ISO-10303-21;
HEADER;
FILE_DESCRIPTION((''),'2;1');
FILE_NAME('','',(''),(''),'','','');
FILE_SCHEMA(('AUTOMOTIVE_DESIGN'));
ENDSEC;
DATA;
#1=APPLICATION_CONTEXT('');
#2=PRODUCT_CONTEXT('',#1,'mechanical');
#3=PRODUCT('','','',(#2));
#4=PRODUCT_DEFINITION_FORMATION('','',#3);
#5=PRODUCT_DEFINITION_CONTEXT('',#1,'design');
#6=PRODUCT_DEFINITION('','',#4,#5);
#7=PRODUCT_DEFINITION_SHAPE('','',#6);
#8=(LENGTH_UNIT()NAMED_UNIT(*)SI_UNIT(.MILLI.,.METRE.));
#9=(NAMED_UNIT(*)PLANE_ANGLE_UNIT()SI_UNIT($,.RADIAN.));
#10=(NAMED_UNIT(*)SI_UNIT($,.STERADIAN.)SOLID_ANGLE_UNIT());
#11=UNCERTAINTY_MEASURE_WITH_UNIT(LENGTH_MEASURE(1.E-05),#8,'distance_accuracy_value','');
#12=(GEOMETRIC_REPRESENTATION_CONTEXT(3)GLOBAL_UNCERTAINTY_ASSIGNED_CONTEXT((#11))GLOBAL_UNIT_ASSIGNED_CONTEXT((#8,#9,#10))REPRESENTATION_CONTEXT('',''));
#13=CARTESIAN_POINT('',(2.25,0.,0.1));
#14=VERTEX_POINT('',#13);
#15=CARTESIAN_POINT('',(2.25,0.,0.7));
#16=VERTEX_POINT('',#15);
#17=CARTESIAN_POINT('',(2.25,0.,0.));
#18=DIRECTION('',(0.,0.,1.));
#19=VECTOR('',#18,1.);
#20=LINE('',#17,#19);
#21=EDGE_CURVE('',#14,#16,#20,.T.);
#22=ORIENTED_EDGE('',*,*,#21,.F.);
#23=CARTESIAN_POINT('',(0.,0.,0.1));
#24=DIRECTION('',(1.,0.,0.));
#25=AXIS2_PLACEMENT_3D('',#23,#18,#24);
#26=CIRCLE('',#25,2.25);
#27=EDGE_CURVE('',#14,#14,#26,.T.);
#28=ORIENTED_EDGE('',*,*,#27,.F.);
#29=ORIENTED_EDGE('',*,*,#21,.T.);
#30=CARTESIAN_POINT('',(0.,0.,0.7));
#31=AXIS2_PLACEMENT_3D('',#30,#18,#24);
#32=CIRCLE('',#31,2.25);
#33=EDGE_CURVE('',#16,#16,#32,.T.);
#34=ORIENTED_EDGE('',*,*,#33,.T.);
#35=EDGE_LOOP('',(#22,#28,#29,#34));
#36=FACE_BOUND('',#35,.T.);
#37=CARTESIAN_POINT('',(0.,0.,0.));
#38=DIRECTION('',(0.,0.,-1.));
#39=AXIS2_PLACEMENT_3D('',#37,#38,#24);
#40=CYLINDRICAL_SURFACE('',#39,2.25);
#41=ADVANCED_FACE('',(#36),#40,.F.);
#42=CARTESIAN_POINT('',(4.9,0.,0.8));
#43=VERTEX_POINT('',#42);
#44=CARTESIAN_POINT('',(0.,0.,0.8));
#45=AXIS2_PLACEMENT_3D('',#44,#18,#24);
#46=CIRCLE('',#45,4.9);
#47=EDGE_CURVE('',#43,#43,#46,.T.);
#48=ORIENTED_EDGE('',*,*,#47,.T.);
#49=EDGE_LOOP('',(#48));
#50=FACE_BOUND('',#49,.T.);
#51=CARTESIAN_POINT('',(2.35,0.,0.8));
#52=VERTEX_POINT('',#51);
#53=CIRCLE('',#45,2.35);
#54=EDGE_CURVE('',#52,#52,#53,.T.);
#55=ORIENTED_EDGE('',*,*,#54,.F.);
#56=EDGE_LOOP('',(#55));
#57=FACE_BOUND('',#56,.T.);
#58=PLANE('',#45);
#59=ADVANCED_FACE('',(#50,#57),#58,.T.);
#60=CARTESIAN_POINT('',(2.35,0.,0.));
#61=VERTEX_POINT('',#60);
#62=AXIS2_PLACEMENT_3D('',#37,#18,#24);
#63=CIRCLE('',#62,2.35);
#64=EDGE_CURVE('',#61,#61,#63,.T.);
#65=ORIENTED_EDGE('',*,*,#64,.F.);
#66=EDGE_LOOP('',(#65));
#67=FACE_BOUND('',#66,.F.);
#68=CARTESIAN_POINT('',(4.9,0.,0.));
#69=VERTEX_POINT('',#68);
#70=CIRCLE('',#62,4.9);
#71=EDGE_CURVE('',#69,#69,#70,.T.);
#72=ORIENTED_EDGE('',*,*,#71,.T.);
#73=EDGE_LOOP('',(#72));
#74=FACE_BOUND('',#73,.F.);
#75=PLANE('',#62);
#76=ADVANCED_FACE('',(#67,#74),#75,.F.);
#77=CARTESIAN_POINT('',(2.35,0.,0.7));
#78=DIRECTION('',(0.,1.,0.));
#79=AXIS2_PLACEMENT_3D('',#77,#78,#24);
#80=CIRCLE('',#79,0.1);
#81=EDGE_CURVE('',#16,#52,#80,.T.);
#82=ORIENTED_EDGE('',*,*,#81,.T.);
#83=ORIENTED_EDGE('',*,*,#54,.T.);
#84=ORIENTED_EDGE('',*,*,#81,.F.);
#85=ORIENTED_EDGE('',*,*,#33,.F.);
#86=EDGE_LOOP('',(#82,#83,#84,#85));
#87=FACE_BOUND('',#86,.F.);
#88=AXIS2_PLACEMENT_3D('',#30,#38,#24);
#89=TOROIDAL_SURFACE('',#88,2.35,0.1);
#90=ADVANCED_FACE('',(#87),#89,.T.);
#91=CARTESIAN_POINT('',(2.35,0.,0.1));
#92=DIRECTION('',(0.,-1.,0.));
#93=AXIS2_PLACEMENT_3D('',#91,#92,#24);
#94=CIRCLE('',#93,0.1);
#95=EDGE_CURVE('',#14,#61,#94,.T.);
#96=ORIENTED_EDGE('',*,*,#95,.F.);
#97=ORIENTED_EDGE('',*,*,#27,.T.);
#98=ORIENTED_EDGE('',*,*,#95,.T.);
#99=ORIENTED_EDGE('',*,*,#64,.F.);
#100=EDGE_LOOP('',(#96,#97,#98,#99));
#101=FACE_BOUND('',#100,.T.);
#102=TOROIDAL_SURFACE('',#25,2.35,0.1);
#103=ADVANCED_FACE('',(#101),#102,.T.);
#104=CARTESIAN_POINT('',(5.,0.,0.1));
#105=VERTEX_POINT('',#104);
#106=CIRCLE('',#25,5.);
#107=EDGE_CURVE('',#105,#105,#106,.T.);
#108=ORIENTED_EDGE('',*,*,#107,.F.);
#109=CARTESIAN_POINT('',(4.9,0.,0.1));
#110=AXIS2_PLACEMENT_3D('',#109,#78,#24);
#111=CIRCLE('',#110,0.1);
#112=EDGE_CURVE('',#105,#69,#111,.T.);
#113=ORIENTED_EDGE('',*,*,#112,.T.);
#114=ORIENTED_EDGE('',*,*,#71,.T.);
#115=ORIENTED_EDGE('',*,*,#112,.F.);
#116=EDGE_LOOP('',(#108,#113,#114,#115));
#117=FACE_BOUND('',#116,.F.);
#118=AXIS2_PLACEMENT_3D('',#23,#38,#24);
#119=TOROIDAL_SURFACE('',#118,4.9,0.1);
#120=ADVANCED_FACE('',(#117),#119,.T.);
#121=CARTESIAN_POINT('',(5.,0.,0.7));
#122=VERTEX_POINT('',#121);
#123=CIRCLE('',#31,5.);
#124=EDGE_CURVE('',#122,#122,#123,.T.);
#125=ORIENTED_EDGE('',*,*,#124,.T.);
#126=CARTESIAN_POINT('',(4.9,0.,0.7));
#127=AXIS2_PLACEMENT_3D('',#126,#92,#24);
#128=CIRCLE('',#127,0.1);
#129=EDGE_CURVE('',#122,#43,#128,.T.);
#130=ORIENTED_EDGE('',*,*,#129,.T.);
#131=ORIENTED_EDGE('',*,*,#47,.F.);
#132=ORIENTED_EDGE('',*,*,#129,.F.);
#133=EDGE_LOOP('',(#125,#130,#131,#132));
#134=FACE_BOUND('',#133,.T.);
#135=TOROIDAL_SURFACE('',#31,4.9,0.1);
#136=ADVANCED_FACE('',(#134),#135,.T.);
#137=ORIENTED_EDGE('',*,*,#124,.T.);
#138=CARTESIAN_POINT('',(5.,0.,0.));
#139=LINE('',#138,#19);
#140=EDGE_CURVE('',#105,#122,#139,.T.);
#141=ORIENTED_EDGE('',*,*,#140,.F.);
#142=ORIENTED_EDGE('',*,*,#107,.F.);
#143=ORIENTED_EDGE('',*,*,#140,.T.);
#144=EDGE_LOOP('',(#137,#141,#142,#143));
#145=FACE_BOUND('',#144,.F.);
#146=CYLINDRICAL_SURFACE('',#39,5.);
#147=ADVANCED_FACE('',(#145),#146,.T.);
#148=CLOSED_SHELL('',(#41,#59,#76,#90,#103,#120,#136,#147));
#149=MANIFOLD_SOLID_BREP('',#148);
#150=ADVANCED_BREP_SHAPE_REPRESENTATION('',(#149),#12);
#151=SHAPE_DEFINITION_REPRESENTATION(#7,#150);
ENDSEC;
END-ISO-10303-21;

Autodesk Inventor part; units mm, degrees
ref_plane "YZ Plane" through (0, 0, 0) normal (1, 0, 0) x (0, 1, 0)
ref_plane "XZ Plane" through (0, 0, 0) normal (0, 1, 0) x (-1, 0, 0)
ref_plane "XY Plane" through (0, 0, 0) normal (0, 0, 1) x (1, 0, 0)
sketch "スケッチ1" plane through (0, 0, 0) normal (0, 0, 1) x (1, 0, 0)
  circle A0 centre (0, 0) radius 2.25
  circle A1 centre (0, 0) radius 5
  dimension "d0" = 4.5
  dimension "d1" = 10
extrude "押し出し1" add sketch "スケッチ1" along normal blind 0.8
fillet "フィレット1" radius 0.1 4 edges at (-5, 0, 0.8) (-5, 0, 0) (-2.25, 0, 0.8) (-2.25, 0, 0)
properties part number "WSJ-STN-M4" material "鋼、炭素鋼"
